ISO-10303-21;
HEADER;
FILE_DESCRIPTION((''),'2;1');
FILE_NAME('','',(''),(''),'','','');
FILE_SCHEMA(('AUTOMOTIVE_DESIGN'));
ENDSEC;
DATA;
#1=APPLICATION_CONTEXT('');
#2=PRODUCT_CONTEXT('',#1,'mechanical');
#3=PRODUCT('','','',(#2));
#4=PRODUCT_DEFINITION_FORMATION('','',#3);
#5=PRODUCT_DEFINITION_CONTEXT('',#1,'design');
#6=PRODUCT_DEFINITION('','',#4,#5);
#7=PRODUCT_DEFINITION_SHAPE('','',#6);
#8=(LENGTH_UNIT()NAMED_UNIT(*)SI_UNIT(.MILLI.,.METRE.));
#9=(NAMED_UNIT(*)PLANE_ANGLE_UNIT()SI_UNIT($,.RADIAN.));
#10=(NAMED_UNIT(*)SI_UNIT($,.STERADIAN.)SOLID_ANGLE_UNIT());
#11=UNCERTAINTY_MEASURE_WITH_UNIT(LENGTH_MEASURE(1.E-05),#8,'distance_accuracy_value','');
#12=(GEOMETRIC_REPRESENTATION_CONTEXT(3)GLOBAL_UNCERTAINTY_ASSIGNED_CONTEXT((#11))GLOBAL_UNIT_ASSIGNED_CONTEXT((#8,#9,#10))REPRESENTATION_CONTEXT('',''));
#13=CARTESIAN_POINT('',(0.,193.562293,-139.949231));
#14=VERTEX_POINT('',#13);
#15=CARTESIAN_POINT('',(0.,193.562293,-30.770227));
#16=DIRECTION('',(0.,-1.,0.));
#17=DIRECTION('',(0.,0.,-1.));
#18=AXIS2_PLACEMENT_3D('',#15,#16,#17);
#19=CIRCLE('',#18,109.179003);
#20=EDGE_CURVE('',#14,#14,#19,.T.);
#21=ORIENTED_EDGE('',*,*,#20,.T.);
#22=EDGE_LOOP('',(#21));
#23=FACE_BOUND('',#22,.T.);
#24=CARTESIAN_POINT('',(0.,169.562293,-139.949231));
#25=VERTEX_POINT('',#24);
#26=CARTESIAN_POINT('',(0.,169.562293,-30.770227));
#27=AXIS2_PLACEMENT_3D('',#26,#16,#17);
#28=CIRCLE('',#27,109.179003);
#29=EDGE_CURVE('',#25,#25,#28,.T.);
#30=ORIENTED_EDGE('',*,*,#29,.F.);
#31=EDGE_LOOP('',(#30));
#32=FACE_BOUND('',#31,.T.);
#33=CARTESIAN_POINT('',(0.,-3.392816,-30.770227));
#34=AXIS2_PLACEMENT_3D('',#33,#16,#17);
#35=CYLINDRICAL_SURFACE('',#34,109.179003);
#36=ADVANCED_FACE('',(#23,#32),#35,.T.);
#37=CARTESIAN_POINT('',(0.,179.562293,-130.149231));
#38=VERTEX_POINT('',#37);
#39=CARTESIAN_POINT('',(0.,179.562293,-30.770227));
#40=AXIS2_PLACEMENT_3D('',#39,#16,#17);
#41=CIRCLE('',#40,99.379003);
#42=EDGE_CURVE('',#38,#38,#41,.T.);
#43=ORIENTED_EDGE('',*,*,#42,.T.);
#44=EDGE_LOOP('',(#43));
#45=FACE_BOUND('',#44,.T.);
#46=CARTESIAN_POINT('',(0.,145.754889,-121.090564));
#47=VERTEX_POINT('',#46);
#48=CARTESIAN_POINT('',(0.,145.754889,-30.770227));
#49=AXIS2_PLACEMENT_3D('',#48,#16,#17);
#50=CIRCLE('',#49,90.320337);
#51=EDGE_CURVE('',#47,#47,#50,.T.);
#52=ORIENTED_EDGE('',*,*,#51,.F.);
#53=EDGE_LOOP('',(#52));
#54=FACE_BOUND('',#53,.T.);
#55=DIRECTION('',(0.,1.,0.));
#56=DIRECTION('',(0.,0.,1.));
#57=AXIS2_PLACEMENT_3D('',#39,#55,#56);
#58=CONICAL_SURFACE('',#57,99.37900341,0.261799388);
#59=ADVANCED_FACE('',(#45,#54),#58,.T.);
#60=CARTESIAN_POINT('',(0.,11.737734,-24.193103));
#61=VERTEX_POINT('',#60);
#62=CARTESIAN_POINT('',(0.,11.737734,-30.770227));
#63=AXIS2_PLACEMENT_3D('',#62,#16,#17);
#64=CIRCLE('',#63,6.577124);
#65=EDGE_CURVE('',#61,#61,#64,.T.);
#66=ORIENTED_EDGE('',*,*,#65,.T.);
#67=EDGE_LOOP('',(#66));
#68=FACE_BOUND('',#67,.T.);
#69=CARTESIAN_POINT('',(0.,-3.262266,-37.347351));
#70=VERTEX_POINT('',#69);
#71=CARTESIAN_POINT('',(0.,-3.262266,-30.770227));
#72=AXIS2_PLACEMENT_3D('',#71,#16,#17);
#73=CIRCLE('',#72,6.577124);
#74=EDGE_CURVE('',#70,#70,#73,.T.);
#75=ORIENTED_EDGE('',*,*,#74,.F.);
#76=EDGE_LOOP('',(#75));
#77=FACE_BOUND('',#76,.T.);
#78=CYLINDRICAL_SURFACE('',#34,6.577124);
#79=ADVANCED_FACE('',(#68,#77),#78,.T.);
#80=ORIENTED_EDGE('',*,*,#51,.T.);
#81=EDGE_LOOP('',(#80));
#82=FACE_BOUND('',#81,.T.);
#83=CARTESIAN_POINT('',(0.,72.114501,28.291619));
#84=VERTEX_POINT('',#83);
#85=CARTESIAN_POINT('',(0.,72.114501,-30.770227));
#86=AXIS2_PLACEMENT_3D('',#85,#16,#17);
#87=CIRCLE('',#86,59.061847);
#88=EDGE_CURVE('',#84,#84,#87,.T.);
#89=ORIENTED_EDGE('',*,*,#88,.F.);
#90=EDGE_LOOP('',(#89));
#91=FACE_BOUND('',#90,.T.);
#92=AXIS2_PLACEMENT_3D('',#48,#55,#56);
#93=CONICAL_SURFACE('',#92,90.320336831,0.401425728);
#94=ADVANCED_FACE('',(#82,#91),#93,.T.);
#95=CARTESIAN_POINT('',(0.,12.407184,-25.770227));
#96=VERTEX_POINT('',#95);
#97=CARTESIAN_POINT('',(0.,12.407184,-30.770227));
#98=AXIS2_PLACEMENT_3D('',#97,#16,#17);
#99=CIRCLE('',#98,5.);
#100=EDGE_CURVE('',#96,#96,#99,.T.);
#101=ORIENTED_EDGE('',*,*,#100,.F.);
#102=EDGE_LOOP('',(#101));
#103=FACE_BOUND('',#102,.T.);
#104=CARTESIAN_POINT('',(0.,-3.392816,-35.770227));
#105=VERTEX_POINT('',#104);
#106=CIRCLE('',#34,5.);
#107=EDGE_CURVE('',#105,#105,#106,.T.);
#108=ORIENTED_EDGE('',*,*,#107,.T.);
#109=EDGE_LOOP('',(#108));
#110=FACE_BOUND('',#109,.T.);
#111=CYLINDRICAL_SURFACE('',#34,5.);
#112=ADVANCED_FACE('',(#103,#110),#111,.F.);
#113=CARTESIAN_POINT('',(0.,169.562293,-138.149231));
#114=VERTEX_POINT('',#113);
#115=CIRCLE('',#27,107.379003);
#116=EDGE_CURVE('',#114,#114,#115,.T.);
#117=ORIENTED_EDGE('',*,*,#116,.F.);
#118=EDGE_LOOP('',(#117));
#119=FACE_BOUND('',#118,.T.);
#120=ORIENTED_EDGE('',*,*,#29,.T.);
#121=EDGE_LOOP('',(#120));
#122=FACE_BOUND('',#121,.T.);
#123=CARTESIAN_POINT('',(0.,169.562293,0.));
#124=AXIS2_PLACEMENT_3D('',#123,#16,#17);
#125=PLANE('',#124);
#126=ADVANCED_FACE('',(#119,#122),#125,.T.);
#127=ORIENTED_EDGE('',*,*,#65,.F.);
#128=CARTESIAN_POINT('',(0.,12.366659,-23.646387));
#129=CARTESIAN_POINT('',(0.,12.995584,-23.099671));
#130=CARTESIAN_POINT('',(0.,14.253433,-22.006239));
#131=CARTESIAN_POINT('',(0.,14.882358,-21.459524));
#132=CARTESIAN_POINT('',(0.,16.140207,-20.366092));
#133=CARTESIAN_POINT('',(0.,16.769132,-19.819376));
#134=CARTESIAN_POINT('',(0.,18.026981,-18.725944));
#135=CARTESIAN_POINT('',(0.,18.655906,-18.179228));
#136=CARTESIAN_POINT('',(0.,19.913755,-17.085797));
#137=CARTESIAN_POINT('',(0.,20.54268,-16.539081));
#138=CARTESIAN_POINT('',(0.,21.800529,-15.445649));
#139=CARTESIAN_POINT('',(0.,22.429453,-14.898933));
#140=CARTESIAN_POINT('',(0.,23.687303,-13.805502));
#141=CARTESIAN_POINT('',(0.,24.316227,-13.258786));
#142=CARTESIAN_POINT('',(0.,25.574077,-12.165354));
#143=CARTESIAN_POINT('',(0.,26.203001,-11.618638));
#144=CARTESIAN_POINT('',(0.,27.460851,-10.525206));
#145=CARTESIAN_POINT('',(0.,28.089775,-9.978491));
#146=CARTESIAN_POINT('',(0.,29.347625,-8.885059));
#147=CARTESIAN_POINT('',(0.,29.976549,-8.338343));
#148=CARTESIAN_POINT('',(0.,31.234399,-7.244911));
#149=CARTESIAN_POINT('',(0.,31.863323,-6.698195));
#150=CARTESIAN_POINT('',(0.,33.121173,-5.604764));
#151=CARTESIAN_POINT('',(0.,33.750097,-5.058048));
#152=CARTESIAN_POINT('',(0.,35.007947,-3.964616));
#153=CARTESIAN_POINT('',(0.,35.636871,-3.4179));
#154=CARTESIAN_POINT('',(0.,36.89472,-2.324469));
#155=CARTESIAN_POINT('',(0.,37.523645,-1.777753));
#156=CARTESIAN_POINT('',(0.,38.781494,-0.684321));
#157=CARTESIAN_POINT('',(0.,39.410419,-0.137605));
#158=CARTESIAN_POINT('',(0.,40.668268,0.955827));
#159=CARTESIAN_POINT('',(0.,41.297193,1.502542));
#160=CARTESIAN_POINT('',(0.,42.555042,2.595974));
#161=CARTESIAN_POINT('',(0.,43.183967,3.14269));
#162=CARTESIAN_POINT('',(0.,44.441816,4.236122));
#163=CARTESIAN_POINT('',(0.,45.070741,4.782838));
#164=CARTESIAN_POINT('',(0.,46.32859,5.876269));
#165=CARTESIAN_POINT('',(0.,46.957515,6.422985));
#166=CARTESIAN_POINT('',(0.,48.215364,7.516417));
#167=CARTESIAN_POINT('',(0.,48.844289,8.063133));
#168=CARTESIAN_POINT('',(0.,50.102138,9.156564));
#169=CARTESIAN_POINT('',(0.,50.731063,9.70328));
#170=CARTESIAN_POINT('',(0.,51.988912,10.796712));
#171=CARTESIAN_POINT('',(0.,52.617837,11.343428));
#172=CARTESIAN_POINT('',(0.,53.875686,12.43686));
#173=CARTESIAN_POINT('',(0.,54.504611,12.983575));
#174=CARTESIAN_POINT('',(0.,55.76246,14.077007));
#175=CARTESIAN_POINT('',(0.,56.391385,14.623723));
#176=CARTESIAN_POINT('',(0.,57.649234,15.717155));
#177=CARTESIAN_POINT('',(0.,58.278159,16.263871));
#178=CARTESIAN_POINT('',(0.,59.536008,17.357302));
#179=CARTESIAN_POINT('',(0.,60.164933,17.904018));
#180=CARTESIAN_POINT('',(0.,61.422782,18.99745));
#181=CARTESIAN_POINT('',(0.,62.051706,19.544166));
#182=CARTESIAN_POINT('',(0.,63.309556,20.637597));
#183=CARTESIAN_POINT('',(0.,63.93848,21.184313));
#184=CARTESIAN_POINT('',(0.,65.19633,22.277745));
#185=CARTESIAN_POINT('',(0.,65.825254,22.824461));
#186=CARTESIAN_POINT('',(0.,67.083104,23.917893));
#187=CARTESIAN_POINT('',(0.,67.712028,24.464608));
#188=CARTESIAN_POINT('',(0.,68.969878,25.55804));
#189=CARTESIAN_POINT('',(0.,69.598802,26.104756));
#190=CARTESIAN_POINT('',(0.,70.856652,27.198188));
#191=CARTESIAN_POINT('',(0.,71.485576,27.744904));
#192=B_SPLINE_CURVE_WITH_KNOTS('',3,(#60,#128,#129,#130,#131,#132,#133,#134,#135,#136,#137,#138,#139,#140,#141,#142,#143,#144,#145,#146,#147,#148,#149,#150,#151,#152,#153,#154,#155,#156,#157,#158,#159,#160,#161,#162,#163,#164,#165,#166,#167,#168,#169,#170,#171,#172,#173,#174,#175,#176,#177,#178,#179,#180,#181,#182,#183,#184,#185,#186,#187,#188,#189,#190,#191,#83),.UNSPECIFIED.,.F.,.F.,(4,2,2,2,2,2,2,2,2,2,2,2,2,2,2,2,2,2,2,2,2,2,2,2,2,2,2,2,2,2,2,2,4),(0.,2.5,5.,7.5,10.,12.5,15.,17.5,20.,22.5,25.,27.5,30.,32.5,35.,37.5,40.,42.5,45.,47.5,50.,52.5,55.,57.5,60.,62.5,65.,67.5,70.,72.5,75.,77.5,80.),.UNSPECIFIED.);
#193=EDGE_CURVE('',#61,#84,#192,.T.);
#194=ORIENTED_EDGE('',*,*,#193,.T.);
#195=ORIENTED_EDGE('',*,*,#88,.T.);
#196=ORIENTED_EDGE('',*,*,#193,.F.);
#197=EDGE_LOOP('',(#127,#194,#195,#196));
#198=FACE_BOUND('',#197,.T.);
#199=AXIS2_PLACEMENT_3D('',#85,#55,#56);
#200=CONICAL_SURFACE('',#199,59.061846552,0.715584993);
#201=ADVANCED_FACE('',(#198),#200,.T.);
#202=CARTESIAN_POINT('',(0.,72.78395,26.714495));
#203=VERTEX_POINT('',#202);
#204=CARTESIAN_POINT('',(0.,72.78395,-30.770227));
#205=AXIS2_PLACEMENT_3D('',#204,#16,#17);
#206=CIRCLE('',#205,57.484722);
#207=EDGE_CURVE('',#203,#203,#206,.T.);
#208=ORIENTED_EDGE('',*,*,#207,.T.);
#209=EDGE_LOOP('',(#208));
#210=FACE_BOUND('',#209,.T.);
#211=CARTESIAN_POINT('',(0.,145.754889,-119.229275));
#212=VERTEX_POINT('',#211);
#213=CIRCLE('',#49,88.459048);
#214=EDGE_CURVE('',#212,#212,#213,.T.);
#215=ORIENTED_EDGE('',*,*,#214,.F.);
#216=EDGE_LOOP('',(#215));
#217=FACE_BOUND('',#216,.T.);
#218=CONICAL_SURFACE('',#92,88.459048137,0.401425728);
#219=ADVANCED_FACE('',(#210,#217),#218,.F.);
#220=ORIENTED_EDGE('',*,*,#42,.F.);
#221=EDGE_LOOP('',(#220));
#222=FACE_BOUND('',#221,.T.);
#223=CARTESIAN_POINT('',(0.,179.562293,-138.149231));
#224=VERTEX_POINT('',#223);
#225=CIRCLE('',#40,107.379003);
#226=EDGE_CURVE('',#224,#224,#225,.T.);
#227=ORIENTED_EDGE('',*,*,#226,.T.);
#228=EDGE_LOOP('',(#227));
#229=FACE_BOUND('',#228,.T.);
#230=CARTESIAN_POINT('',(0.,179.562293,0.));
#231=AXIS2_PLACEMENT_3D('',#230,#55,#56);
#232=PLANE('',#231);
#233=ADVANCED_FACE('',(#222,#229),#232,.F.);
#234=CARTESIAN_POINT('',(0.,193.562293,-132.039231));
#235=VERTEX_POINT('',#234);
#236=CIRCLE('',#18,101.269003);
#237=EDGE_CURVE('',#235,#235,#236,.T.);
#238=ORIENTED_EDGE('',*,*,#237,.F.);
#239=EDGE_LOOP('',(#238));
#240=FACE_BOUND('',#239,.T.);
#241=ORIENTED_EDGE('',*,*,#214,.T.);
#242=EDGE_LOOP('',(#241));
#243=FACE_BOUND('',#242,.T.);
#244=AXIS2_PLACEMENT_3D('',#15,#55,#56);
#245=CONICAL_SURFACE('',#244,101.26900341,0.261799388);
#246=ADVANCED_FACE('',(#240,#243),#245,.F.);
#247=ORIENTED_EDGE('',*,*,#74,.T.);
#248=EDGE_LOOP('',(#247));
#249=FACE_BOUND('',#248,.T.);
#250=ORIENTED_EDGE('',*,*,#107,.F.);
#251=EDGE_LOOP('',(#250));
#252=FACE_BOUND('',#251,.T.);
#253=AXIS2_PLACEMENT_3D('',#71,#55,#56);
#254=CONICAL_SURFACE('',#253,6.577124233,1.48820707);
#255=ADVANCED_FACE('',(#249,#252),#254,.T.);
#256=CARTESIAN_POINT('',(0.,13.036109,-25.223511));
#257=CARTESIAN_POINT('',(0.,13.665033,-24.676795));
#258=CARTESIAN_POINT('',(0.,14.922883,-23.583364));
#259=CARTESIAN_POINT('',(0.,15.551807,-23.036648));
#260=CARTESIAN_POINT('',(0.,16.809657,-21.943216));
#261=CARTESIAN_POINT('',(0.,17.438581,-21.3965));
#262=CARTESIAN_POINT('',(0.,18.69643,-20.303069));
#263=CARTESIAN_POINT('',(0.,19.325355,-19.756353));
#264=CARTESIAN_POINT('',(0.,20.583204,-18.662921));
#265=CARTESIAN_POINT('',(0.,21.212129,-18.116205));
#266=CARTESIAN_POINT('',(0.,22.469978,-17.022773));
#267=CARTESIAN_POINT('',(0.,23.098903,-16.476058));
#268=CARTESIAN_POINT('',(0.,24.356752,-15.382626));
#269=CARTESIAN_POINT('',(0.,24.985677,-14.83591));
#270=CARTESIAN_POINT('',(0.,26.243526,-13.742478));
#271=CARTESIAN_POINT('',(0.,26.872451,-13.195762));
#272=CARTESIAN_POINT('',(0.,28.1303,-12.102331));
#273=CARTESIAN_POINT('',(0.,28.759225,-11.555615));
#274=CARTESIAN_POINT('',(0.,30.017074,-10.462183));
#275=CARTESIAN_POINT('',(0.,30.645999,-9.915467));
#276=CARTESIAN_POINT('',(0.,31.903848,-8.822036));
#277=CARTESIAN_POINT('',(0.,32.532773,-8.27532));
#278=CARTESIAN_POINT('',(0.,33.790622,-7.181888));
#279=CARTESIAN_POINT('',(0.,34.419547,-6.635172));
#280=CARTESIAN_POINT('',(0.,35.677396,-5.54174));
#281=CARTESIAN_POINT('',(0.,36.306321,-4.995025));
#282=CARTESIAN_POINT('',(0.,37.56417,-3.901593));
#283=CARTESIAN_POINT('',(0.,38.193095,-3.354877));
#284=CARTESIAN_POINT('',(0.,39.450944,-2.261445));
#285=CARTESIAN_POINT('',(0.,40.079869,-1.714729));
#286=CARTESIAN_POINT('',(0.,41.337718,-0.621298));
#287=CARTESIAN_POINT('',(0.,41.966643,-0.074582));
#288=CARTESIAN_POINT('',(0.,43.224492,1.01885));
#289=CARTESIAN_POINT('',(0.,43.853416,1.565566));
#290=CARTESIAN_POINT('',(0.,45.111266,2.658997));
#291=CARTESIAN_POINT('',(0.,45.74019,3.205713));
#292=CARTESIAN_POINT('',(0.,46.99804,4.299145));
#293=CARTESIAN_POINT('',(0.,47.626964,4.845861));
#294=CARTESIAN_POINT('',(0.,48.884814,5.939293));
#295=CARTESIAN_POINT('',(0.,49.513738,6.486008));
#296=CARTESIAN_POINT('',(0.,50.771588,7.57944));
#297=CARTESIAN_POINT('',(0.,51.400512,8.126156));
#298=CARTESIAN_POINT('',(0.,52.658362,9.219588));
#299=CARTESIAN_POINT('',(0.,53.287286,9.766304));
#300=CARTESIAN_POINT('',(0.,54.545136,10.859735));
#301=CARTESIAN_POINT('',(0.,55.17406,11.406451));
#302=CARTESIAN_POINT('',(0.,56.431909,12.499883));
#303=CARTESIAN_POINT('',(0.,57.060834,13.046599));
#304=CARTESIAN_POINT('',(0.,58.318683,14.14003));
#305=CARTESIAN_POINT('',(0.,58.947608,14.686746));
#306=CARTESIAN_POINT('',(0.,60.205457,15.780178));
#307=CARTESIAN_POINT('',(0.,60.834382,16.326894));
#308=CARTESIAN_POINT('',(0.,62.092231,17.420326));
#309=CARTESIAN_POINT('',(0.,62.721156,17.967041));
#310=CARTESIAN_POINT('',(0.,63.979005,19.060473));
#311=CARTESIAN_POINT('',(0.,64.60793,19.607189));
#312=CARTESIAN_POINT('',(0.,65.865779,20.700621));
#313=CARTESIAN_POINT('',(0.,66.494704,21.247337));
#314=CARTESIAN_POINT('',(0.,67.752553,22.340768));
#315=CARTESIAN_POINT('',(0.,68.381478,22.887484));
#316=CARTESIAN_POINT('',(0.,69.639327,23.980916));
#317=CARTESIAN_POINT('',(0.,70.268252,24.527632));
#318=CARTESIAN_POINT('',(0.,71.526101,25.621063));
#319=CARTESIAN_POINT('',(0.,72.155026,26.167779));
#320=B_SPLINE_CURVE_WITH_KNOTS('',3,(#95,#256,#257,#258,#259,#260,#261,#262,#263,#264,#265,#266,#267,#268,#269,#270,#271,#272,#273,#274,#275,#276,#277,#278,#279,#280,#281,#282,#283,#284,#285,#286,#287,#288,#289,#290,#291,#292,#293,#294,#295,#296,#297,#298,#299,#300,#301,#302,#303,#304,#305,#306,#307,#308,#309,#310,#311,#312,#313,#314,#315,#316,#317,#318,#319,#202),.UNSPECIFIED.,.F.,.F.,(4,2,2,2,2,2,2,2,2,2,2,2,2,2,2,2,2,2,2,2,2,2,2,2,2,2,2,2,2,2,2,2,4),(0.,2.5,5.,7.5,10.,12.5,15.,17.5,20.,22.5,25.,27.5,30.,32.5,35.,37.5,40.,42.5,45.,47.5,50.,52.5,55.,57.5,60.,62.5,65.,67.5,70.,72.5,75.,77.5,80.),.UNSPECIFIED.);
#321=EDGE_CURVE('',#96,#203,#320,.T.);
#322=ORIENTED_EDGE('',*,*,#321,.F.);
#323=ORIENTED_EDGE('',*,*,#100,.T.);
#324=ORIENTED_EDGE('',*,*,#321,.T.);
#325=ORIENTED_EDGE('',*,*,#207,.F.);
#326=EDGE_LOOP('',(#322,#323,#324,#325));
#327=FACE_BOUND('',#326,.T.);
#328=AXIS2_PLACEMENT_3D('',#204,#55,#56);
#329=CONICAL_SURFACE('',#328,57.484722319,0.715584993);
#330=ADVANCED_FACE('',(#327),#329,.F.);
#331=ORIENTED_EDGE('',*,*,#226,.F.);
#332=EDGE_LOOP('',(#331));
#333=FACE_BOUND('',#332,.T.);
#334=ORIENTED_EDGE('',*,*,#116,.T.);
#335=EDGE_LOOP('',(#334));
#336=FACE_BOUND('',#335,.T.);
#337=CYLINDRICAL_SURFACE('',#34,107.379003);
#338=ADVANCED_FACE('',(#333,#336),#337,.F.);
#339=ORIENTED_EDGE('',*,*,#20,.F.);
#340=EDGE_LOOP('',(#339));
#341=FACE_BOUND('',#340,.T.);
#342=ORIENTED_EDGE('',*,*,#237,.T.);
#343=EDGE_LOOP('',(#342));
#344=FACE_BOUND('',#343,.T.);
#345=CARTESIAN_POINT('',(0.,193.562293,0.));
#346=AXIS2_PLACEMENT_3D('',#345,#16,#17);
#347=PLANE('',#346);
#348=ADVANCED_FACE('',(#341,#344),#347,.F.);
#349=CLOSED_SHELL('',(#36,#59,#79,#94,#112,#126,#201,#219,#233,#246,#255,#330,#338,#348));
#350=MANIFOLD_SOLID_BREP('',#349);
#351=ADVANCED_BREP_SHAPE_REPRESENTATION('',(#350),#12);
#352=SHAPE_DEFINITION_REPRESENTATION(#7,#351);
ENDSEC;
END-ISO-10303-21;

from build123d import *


with BuildPart() as part:
    # Schizzo1 → Rivoluzione1 (revolve)
    with BuildSketch(Plane(origin=(0, 0, 0), x_dir=(0, 0, -1), z_dir=(1, 0, 0)), mode=Mode.PRIVATE) as rivoluzione1_sk:
        Polygon((24.193102917, 11.737734445), (24.193102917, -3.262265555), (25.77022715, -3.392816036), (25.77022715, 12.407183964), (-26.71449517, 72.783950382), (-28.291619402, 72.114500863), align=None)
        Polygon((-59.550109681, 145.754889139), (-28.291619402, 72.114500863), (-26.71449517, 72.783950382), (-57.688820987, 145.754889139), (-66.872170267, 180.027615233), (-70.49877626, 193.562293059), (-78.40877626, 193.562293059), (-78.40877626, 169.562293059), (-76.60877626, 169.562293059), (-76.60877626, 179.562293059), (-68.60877626, 179.562293059), align=None)
    revolve(rivoluzione1_sk.sketch.rotate(Axis((0, -3.392816036, -30.77022715), (0, 1, 0)), 180), axis=Axis((0, -3.392816036, -30.77022715), (0, 1, 0)))


solid = part.part
